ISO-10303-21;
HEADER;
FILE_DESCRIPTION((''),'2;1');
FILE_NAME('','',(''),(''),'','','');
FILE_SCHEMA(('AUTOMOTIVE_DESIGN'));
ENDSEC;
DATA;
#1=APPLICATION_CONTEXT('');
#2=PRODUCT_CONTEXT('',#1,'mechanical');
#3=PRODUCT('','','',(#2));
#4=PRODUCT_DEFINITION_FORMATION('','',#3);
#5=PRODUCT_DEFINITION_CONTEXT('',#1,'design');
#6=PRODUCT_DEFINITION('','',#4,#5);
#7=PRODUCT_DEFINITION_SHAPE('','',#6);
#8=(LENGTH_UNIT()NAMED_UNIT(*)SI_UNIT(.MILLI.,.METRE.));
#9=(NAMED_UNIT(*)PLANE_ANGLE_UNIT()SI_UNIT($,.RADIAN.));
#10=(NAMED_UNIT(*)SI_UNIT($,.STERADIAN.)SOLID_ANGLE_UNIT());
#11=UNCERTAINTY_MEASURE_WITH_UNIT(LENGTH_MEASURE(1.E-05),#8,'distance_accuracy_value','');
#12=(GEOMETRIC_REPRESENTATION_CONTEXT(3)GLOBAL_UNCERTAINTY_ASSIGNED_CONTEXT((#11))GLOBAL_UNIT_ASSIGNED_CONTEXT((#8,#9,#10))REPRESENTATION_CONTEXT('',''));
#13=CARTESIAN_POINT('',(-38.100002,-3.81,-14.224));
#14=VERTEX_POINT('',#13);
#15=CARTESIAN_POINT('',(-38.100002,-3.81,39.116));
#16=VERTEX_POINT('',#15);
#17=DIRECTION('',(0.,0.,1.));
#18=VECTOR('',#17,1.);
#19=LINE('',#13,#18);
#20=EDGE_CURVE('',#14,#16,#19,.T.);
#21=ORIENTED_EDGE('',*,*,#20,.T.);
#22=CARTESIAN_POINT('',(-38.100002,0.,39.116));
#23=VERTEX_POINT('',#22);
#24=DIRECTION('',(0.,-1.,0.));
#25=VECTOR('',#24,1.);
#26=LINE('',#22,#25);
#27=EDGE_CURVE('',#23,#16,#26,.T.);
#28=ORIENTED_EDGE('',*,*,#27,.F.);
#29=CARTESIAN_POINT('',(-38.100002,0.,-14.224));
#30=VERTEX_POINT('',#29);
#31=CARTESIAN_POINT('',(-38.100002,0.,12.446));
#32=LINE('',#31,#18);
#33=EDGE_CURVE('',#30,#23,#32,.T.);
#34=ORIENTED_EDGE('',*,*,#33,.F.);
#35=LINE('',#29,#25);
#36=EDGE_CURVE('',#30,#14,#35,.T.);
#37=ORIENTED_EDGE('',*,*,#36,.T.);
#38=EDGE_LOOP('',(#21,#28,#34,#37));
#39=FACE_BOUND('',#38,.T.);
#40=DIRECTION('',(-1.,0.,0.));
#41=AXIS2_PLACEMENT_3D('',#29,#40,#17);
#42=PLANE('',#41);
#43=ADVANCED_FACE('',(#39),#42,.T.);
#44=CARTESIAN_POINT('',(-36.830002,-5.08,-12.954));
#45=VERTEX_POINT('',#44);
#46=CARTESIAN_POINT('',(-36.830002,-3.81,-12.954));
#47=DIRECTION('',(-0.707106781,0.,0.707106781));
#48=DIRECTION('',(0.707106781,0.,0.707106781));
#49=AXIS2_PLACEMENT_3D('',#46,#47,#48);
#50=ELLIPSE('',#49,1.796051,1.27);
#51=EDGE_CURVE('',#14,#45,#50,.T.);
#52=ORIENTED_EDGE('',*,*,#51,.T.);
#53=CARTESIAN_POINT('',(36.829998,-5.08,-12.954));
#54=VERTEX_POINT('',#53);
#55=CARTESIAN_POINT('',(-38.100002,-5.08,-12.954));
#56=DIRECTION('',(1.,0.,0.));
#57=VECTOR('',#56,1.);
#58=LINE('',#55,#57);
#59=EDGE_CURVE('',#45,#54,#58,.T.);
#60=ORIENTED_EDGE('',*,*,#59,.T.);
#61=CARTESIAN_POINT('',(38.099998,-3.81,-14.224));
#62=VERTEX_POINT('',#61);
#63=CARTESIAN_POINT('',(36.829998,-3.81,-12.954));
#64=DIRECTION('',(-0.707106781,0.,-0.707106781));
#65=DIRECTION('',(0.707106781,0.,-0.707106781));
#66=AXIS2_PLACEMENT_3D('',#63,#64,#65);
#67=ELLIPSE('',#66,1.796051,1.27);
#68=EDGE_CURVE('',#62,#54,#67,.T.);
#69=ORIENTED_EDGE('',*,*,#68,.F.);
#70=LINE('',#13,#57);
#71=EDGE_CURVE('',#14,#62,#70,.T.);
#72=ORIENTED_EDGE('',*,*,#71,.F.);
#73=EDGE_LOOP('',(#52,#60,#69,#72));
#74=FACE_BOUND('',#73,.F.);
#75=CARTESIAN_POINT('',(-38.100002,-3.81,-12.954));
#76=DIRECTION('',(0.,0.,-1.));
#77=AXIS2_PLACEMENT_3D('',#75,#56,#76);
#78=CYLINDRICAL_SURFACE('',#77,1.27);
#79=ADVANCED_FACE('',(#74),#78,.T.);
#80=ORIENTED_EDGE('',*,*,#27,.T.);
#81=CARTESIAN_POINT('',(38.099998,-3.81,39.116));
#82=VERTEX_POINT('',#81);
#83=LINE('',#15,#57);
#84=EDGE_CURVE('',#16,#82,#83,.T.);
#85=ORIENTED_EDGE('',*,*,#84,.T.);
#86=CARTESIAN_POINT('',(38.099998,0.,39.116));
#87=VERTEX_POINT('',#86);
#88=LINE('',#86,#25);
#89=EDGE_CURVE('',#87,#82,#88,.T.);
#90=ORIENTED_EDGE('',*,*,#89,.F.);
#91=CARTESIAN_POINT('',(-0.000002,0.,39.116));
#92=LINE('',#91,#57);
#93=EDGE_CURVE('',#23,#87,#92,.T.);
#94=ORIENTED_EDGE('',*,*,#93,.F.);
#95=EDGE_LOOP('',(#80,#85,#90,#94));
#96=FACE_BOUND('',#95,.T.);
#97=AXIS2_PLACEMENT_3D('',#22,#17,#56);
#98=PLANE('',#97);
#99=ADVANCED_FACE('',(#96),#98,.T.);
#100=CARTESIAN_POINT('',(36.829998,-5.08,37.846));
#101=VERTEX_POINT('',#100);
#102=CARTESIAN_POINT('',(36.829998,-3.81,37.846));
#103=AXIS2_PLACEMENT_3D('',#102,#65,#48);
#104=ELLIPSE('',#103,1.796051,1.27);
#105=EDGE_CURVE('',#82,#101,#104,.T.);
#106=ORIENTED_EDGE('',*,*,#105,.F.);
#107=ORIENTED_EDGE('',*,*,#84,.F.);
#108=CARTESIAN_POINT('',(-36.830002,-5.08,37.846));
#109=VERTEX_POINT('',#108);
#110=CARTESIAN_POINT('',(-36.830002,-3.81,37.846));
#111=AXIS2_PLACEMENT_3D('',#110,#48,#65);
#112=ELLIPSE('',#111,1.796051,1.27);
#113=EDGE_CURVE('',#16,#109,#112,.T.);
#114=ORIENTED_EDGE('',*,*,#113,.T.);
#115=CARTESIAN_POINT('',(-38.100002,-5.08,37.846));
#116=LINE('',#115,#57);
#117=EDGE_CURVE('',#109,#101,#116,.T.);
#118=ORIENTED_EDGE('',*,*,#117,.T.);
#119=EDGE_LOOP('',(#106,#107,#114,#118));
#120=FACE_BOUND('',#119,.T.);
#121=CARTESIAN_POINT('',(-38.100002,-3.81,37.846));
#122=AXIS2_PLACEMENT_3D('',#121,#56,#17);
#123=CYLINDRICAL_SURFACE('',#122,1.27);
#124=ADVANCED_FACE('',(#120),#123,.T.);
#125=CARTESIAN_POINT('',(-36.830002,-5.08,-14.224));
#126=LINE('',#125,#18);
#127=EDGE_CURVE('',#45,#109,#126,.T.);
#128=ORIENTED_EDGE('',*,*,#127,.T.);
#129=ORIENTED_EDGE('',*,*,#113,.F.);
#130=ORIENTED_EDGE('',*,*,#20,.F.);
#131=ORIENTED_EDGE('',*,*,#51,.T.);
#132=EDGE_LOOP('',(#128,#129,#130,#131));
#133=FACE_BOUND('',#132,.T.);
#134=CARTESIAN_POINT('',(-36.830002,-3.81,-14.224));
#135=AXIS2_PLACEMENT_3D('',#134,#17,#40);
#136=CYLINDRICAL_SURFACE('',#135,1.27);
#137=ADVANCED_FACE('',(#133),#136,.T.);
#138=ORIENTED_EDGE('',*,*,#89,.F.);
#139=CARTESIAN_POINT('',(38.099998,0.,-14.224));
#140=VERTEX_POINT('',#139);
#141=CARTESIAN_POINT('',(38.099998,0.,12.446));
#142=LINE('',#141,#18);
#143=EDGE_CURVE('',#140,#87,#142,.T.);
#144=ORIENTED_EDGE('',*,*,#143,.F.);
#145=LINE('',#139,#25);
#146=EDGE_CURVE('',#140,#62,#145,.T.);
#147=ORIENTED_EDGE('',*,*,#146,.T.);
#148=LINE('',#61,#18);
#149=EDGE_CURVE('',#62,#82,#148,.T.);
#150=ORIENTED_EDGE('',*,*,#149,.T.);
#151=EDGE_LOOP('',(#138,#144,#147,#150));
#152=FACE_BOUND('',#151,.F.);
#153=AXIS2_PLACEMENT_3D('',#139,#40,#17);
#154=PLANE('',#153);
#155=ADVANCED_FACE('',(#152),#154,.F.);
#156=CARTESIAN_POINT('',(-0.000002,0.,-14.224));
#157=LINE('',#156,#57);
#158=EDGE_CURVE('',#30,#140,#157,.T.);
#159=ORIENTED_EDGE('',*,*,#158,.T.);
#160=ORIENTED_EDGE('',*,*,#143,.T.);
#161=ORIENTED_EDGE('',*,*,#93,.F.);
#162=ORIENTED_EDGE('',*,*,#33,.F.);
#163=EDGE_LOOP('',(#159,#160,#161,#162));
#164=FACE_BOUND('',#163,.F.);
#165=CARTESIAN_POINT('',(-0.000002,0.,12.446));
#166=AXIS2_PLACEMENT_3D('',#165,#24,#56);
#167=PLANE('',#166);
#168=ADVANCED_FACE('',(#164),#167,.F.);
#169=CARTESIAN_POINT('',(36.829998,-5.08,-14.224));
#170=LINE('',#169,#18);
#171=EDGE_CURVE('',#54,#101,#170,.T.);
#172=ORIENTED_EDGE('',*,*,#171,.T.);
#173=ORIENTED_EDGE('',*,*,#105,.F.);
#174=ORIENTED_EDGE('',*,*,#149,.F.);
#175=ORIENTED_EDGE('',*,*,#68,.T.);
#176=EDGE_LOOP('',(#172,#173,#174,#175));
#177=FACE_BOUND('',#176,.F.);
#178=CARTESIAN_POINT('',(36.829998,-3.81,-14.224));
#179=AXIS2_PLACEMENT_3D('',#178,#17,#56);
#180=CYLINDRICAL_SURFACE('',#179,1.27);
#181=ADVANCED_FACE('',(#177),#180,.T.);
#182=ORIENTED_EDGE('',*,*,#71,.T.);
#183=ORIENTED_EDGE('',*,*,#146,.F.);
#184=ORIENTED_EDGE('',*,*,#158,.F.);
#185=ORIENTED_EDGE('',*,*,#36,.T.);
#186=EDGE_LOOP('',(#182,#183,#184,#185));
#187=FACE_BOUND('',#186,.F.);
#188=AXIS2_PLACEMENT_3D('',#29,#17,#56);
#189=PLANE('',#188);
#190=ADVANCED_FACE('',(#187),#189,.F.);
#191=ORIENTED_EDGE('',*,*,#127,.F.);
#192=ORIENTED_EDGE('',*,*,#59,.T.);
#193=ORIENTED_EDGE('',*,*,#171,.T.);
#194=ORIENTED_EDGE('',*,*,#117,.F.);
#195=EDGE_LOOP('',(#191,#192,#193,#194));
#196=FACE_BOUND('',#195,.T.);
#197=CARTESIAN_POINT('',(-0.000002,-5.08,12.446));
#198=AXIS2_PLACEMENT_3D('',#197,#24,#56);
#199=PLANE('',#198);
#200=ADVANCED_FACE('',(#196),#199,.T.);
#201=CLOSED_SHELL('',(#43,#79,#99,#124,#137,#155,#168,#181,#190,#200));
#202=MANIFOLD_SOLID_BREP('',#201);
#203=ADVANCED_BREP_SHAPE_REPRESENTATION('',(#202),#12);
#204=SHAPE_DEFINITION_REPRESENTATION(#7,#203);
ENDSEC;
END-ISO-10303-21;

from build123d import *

# Parameters (mm, degrees)
F0_W     = 76.2
F0_H     = 53.34
F1_DEPTH = 5.08
F2_R     = 1.27


with BuildPart() as f1:
    # F0 (on Front) → F1 (new body)
    with BuildSketch(Plane.XZ):
        with Locations((-2e-06, 12.446)):
            Rectangle(F0_W, F0_H)
    extrude(amount=F1_DEPTH)

    # F2
    f2_edges = [f1.edges().sort_by_distance(p)[0] for p in [
        (-2e-06, -5.08, -14.224),
        (38.099998, -5.08, 12.446),
        (-2e-06, -5.08, 39.116),
        (-38.100002, -5.08, 12.446),
    ]]
    fillet(f2_edges, radius=F2_R)


solid = f1.part
